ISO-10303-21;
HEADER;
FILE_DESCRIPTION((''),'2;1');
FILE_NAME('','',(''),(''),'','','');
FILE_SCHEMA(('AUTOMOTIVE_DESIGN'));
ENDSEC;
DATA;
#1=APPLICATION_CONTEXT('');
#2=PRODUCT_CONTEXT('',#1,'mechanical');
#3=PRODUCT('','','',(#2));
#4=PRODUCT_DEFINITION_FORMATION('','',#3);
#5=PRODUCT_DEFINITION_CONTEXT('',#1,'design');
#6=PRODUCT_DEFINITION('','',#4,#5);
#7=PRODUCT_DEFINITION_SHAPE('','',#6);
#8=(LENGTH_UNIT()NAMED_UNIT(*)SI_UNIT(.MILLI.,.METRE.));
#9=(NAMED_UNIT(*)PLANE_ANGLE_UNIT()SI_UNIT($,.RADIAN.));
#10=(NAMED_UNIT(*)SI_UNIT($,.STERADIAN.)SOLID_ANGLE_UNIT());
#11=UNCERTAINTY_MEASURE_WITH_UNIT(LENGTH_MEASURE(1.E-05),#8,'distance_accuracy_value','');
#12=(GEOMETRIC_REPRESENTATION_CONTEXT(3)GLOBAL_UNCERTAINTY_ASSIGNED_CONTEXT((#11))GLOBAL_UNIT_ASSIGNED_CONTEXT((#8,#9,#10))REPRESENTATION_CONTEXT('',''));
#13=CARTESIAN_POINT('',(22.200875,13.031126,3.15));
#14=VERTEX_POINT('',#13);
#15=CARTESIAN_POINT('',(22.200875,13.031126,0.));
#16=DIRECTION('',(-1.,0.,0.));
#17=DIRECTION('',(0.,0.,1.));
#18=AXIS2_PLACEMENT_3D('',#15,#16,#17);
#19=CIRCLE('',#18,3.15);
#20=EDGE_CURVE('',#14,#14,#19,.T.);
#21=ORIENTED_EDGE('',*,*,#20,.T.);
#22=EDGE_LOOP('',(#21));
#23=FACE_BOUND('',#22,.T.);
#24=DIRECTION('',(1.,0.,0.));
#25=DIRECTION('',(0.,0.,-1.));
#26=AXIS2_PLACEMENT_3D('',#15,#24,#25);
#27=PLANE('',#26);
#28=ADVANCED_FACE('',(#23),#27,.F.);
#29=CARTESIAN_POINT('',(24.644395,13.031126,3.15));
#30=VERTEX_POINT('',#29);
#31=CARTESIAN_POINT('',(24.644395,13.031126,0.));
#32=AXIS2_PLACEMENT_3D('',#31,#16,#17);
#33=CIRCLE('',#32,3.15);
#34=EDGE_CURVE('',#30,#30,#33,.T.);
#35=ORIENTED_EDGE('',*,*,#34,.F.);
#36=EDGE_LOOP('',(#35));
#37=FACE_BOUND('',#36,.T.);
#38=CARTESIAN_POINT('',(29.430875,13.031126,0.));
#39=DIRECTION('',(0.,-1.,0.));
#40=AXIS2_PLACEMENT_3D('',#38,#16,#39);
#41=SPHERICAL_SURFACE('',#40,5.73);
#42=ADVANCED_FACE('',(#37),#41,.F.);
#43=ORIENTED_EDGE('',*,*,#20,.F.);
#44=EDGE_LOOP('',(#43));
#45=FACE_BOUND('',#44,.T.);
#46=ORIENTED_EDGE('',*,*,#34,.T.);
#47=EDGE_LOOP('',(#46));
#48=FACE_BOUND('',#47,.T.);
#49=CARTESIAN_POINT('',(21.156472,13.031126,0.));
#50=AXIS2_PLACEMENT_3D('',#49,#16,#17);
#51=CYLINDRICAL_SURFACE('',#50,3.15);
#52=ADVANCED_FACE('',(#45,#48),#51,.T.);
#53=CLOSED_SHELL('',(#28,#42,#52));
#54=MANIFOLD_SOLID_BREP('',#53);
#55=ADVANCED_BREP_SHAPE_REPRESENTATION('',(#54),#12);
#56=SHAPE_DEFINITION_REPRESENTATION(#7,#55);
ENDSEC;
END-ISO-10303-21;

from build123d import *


with BuildPart() as part:
    # 草图1 → 旋转1 (revolve)
    with BuildSketch(Plane.XY, mode=Mode.PRIVATE) as revolve_1_sk:
        with BuildLine():
            Line((22.200875489, 13.031126091), (22.200875489, 16.181126091))
            Line((22.200875489, 16.181126091), (24.644394527, 16.181126091))
            ThreePointArc((24.644394527, 16.181126091), (23.941821112, 14.675261744), (23.700875489, 13.031126091))
            Line((23.700875489, 13.031126091), (22.200875489, 13.031126091))
        make_face()
    revolve(revolve_1_sk.sketch.rotate(Axis((21.156471922, 13.031126091, 0), (1, 0, 0)), 180), axis=Axis((21.156471922, 13.031126091, 0), (1, 0, 0)))  # turned: the seam where the file's is


solid = part.part
